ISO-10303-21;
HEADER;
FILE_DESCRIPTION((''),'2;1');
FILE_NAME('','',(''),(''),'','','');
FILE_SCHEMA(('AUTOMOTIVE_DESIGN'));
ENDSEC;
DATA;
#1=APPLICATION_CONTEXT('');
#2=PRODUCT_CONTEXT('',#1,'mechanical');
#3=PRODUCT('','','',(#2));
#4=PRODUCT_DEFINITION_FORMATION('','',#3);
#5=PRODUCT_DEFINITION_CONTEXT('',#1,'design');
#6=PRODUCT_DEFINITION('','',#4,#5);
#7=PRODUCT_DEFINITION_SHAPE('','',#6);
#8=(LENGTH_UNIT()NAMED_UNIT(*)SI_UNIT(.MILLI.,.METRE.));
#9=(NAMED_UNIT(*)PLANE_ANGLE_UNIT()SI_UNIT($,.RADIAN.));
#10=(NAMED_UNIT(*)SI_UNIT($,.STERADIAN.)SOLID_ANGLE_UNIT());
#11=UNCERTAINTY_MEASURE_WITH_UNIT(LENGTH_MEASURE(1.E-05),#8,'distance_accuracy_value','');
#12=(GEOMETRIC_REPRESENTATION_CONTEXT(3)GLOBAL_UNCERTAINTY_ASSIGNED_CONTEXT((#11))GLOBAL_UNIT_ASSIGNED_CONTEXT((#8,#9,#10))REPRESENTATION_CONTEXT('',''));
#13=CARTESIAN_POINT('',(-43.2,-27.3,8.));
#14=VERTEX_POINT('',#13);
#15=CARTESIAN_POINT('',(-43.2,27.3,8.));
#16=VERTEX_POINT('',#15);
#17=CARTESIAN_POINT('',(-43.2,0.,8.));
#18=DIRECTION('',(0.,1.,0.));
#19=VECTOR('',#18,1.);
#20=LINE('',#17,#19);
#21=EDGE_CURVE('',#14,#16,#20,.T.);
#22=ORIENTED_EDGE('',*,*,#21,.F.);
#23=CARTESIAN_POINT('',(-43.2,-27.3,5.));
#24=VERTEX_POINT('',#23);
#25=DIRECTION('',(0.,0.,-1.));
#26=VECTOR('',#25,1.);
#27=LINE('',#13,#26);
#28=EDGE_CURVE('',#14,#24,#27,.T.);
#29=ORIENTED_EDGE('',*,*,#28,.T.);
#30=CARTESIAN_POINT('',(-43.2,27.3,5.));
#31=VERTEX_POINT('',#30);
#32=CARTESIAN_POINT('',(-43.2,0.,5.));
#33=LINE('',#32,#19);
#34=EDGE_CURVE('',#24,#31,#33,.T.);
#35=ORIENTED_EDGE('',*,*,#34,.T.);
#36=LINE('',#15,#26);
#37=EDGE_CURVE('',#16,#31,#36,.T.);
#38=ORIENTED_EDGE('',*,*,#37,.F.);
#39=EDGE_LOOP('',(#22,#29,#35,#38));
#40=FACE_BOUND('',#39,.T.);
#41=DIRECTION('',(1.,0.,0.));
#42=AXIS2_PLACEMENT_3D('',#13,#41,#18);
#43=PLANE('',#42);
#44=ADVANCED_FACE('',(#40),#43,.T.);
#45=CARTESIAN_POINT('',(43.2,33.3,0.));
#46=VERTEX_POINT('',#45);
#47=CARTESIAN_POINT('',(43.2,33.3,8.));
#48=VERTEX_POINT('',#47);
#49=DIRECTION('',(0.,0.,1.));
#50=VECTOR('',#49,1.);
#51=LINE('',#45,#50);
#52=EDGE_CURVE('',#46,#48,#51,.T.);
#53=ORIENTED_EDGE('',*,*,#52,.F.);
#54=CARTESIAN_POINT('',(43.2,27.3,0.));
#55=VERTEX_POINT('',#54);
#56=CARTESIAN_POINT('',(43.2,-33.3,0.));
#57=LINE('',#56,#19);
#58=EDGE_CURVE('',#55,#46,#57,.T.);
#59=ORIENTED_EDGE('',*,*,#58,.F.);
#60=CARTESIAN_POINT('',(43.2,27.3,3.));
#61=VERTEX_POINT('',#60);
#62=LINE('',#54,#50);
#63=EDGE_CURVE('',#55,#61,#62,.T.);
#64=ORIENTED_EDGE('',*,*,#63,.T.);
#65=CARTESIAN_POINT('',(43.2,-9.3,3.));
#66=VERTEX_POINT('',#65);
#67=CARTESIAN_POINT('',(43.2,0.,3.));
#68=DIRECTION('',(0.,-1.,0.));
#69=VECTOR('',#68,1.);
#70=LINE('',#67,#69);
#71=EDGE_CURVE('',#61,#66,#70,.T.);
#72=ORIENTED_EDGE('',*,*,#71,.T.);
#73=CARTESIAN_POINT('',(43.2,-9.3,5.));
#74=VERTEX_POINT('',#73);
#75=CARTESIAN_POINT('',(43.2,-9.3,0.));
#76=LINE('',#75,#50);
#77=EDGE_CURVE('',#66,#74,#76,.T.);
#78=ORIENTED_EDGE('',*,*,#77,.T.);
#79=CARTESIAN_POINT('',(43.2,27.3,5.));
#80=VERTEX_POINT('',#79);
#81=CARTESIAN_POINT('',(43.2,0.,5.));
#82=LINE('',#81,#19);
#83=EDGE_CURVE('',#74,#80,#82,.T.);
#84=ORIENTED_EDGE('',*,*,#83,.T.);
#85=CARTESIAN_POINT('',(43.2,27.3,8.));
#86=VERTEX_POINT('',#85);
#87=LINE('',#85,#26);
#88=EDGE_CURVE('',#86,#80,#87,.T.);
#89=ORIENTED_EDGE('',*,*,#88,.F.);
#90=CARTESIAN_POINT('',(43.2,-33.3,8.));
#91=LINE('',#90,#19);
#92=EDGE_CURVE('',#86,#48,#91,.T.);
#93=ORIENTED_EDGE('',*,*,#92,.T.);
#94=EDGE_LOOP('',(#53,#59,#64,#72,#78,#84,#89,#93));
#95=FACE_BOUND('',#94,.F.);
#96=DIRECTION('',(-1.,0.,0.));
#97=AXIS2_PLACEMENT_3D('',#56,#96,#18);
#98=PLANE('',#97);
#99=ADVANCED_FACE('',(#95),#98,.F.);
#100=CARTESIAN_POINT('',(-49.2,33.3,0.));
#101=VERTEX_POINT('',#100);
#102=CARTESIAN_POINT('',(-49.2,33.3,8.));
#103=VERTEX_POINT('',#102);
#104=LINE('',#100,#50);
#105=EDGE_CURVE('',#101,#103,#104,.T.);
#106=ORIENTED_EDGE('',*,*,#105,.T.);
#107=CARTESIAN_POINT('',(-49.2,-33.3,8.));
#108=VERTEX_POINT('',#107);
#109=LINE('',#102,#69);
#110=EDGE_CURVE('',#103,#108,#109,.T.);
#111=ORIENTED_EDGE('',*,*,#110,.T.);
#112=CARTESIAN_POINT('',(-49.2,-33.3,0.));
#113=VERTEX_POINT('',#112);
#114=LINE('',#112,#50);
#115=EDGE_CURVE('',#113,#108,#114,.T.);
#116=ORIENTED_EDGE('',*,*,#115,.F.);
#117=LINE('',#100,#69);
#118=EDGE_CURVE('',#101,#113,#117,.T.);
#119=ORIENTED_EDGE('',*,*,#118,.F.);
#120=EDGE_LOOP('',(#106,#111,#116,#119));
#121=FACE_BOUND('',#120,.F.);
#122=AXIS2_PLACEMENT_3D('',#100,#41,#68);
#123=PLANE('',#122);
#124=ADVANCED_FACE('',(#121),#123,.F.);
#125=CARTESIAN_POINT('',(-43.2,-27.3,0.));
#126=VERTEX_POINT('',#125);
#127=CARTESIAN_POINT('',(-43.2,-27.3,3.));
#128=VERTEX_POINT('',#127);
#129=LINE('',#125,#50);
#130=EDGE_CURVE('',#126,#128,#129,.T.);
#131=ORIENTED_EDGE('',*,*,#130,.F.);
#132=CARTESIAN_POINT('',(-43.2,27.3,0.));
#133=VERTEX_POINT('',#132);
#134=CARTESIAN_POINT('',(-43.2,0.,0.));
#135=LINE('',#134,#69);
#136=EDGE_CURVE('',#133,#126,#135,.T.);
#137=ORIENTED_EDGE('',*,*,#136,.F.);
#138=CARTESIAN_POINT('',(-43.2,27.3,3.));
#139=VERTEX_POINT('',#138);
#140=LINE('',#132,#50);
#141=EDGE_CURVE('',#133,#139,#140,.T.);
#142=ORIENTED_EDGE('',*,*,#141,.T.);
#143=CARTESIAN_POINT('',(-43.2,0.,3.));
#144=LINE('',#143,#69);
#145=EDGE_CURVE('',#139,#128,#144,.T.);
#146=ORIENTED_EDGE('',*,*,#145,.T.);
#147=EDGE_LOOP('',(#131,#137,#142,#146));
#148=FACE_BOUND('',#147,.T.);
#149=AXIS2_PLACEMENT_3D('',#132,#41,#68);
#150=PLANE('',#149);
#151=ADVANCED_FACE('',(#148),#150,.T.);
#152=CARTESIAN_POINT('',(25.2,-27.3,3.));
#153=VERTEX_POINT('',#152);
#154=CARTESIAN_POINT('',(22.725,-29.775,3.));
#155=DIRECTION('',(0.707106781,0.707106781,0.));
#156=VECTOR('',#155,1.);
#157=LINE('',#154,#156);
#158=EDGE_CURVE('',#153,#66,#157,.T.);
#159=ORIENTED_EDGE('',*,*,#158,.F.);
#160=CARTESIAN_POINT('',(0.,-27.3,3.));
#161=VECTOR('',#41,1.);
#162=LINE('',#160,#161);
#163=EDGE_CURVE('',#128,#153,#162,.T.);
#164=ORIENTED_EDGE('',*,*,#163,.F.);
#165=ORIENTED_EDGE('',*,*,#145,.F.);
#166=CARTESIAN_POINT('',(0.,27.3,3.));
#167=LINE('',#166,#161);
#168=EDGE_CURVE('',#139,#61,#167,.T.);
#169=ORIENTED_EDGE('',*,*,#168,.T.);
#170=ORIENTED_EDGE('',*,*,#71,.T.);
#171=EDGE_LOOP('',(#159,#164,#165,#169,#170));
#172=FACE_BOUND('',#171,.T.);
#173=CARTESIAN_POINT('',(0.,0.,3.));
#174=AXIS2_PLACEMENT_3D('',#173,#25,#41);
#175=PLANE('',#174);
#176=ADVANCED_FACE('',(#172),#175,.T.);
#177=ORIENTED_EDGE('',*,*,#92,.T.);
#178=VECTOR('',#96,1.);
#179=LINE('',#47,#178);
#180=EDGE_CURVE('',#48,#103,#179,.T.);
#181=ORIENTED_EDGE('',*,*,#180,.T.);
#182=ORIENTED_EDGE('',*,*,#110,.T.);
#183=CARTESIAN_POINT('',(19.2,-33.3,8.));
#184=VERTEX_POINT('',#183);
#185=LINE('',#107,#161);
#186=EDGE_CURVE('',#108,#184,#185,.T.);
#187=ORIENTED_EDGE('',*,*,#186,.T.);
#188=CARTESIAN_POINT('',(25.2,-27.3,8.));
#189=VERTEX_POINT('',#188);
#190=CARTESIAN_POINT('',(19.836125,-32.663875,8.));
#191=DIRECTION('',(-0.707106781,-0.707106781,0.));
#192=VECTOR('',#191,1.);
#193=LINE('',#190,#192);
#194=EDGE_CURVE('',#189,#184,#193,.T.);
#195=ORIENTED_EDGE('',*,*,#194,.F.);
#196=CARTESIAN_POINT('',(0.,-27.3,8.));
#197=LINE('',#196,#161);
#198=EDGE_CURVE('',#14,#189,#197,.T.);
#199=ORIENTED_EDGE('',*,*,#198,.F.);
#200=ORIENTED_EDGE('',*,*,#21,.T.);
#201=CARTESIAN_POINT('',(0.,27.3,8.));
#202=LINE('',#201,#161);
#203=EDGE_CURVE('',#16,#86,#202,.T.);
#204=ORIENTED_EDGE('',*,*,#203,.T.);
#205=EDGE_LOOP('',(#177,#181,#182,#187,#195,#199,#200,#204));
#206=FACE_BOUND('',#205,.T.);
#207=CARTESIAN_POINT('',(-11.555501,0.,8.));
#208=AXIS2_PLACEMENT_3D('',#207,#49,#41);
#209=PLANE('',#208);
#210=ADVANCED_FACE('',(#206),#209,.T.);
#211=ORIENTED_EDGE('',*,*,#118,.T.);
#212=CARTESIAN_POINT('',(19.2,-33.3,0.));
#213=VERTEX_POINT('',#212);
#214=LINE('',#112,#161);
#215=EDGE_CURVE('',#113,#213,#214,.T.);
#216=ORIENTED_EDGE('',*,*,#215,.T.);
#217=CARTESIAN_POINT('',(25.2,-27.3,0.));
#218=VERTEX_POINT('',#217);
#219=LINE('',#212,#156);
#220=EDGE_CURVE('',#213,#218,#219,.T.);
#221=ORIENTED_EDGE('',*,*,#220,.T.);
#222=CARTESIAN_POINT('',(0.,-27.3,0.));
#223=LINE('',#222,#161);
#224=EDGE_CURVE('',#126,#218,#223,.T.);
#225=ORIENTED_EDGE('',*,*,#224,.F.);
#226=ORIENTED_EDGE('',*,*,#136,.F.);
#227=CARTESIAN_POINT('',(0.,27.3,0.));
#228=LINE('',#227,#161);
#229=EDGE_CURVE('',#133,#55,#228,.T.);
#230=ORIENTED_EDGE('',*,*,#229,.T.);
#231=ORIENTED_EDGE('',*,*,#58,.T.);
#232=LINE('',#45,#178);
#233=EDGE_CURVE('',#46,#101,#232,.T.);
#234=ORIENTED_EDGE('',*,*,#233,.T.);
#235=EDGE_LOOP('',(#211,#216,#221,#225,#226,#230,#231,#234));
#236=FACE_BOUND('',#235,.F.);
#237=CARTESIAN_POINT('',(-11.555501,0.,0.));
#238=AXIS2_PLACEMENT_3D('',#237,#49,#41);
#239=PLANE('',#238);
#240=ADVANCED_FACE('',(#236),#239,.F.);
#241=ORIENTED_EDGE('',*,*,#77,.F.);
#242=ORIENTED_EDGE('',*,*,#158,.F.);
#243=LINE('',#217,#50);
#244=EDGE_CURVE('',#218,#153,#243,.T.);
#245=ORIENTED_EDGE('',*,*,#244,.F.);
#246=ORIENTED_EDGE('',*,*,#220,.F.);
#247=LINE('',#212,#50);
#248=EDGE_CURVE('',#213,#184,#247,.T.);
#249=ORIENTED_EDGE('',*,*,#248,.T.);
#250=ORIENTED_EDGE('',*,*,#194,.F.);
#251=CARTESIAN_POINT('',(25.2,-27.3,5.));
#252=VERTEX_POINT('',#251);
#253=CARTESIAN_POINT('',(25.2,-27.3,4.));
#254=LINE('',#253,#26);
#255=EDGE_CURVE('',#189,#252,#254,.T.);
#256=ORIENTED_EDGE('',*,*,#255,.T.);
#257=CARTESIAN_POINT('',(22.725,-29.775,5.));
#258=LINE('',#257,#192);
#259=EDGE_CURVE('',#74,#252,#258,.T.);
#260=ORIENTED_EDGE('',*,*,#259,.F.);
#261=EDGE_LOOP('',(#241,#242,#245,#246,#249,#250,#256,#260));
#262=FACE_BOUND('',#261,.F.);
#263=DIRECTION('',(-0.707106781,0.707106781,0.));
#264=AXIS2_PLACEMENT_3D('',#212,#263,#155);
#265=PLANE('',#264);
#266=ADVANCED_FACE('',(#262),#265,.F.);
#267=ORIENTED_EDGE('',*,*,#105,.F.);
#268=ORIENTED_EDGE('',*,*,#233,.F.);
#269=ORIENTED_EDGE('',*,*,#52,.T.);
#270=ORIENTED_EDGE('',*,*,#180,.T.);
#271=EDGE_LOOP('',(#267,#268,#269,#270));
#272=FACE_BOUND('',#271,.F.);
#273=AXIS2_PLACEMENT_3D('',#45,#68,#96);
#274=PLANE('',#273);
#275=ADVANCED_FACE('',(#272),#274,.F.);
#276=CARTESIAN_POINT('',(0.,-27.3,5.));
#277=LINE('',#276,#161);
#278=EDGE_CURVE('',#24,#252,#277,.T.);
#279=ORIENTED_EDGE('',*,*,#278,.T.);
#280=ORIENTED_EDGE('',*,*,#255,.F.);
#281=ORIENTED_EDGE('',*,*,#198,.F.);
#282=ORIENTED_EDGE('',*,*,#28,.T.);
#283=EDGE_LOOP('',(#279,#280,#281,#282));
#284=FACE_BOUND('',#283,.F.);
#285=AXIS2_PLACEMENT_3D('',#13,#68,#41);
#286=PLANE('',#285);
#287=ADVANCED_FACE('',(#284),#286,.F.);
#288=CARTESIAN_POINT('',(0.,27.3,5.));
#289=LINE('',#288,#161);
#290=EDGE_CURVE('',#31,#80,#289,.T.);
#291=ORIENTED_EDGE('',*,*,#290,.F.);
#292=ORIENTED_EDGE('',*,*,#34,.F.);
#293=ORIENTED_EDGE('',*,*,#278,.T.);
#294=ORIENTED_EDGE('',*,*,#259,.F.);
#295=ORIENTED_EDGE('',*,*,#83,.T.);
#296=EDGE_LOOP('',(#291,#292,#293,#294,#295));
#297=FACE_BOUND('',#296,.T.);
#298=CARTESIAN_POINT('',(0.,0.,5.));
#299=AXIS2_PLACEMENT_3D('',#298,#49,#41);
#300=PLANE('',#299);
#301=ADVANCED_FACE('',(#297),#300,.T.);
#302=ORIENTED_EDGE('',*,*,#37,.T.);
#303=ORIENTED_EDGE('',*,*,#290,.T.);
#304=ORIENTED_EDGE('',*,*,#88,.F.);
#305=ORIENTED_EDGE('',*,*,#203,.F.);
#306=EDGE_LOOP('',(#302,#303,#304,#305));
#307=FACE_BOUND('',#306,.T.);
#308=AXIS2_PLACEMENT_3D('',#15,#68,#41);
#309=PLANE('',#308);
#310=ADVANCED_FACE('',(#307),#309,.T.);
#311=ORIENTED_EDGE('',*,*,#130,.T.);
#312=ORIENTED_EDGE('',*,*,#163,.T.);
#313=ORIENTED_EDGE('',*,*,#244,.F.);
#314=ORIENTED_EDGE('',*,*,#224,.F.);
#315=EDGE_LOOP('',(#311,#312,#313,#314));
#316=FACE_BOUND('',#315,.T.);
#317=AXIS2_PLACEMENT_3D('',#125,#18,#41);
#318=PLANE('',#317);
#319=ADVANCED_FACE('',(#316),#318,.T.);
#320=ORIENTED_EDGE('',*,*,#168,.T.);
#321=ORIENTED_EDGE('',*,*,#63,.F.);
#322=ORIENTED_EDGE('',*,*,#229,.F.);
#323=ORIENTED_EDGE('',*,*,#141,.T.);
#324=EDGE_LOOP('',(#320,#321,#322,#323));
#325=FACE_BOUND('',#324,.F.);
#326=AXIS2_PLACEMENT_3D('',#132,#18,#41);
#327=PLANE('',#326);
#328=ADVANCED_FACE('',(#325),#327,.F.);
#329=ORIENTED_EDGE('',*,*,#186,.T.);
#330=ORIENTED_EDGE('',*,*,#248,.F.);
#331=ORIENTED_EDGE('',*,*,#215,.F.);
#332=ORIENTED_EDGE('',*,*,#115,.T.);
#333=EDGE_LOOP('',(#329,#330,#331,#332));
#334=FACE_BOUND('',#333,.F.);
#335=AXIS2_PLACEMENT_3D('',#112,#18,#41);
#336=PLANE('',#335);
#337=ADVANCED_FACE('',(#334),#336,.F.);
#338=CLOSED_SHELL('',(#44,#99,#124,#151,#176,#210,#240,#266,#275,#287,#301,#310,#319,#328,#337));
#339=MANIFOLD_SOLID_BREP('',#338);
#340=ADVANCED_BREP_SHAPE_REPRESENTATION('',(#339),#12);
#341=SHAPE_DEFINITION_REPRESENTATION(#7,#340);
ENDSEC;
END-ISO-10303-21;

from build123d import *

# Parameters (mm, degrees)
F0_W     = 86.4
F0_H     = 54.6
F1_DEPTH = 8
F2_W     = 86.4
F2_H     = 54.6
F3_DEPTH = 3
F4_W     = 86.4
F4_H     = 54.6
F5_DEPTH = 3
F7_DEPTH = 25


with BuildPart() as f1:
    # F0 (on Top) → F1 (new body)
    with BuildSketch(Plane.XY):
        Polygon((-43.2, -27.3), (-43.2, 27.3), (43.2, 27.3), (43.2, 33.3), (-49.2, 33.3), (-49.2, -33.3), (43.2, -33.3), (43.2, -27.3), align=None)
        Rectangle(F0_W, F0_H)
    extrude(amount=F1_DEPTH)

    # F2 (on face) → F3 (cut)
    with BuildSketch(Plane.XY.offset(8)):
        Rectangle(F2_W, F2_H)
    extrude(amount=-F3_DEPTH, mode=Mode.SUBTRACT)

    # F4 (on face) → F5 (cut)
    with BuildSketch(Plane(origin=(0, 0, 0), x_dir=(1, 0, 0), z_dir=(0, 0, -1))):
        Rectangle(F4_W, F4_H)
    extrude(amount=-F5_DEPTH, mode=Mode.SUBTRACT)

    # F6 (on face) → F7 (cut)
    with BuildSketch(Plane(origin=(0, 0, 0), x_dir=(1, 0, 0), z_dir=(0, 0, -1))):
        Polygon((43.2, 33.3), (19.2, 33.3), (43.2, 9.3), align=None)
    extrude(amount=-F7_DEPTH, mode=Mode.SUBTRACT)


solid = f1.part
